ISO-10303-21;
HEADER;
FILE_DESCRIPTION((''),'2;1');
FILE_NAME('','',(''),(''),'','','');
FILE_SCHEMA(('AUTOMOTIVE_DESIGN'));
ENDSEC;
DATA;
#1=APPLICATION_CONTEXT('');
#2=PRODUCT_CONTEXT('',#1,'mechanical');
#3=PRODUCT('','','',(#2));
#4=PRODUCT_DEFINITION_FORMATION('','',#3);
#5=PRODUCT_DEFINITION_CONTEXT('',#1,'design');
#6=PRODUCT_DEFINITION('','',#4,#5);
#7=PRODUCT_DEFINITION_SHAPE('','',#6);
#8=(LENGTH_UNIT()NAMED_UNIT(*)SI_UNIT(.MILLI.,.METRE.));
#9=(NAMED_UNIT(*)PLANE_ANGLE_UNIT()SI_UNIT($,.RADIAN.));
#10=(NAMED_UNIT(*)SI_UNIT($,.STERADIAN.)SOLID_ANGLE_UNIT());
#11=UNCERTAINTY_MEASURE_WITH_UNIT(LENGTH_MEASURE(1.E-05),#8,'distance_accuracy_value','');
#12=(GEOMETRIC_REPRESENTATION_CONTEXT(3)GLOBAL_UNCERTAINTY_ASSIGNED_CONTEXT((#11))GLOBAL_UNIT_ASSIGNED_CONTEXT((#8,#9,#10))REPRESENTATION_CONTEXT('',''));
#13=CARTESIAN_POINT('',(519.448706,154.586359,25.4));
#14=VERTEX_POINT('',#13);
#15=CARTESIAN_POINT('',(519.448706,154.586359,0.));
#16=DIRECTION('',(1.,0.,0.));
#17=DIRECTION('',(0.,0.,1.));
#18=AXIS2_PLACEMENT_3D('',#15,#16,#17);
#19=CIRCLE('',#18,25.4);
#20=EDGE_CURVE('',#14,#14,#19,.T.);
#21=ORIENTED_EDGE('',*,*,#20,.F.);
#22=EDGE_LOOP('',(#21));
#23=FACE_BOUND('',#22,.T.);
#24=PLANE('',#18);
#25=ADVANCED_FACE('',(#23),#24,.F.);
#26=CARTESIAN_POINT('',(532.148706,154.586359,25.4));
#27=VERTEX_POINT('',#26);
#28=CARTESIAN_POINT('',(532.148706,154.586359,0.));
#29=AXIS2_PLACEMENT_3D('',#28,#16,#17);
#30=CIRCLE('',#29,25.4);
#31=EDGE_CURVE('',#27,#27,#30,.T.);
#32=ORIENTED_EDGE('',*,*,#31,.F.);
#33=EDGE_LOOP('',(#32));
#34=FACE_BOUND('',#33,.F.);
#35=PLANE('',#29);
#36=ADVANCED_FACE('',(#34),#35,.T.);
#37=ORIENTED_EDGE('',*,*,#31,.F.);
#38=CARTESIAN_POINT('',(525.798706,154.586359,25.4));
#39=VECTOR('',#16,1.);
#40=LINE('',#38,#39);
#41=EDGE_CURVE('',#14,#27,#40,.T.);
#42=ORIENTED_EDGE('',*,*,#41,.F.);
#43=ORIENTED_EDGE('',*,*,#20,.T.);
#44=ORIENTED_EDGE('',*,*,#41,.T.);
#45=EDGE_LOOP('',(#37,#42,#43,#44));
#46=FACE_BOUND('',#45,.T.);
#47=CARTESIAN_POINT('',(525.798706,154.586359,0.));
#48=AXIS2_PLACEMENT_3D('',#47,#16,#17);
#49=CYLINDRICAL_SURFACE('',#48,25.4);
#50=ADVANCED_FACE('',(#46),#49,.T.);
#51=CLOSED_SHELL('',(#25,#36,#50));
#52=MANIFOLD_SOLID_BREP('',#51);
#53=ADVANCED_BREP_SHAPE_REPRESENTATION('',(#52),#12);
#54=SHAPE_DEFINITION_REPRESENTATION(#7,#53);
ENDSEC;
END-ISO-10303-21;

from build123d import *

# Parameters (mm, degrees)
SKETCH_1_W = 12.7
SKETCH_1_H = 25.4


with BuildPart() as part:
    # 草图1 → 旋转1 (revolve)
    with BuildSketch(Plane.XY, mode=Mode.PRIVATE) as revolve_1_sk:
        with Locations((525.798705786, 167.286358698)):
            Rectangle(SKETCH_1_W, SKETCH_1_H)
    revolve(revolve_1_sk.sketch.rotate(Axis((508.001603985, 154.586358698, 0), (1, 0, 0)), 90), axis=Axis((508.001603985, 154.586358698, 0), (1, 0, 0)))  # turned: the seam where the file's is


solid = part.part
